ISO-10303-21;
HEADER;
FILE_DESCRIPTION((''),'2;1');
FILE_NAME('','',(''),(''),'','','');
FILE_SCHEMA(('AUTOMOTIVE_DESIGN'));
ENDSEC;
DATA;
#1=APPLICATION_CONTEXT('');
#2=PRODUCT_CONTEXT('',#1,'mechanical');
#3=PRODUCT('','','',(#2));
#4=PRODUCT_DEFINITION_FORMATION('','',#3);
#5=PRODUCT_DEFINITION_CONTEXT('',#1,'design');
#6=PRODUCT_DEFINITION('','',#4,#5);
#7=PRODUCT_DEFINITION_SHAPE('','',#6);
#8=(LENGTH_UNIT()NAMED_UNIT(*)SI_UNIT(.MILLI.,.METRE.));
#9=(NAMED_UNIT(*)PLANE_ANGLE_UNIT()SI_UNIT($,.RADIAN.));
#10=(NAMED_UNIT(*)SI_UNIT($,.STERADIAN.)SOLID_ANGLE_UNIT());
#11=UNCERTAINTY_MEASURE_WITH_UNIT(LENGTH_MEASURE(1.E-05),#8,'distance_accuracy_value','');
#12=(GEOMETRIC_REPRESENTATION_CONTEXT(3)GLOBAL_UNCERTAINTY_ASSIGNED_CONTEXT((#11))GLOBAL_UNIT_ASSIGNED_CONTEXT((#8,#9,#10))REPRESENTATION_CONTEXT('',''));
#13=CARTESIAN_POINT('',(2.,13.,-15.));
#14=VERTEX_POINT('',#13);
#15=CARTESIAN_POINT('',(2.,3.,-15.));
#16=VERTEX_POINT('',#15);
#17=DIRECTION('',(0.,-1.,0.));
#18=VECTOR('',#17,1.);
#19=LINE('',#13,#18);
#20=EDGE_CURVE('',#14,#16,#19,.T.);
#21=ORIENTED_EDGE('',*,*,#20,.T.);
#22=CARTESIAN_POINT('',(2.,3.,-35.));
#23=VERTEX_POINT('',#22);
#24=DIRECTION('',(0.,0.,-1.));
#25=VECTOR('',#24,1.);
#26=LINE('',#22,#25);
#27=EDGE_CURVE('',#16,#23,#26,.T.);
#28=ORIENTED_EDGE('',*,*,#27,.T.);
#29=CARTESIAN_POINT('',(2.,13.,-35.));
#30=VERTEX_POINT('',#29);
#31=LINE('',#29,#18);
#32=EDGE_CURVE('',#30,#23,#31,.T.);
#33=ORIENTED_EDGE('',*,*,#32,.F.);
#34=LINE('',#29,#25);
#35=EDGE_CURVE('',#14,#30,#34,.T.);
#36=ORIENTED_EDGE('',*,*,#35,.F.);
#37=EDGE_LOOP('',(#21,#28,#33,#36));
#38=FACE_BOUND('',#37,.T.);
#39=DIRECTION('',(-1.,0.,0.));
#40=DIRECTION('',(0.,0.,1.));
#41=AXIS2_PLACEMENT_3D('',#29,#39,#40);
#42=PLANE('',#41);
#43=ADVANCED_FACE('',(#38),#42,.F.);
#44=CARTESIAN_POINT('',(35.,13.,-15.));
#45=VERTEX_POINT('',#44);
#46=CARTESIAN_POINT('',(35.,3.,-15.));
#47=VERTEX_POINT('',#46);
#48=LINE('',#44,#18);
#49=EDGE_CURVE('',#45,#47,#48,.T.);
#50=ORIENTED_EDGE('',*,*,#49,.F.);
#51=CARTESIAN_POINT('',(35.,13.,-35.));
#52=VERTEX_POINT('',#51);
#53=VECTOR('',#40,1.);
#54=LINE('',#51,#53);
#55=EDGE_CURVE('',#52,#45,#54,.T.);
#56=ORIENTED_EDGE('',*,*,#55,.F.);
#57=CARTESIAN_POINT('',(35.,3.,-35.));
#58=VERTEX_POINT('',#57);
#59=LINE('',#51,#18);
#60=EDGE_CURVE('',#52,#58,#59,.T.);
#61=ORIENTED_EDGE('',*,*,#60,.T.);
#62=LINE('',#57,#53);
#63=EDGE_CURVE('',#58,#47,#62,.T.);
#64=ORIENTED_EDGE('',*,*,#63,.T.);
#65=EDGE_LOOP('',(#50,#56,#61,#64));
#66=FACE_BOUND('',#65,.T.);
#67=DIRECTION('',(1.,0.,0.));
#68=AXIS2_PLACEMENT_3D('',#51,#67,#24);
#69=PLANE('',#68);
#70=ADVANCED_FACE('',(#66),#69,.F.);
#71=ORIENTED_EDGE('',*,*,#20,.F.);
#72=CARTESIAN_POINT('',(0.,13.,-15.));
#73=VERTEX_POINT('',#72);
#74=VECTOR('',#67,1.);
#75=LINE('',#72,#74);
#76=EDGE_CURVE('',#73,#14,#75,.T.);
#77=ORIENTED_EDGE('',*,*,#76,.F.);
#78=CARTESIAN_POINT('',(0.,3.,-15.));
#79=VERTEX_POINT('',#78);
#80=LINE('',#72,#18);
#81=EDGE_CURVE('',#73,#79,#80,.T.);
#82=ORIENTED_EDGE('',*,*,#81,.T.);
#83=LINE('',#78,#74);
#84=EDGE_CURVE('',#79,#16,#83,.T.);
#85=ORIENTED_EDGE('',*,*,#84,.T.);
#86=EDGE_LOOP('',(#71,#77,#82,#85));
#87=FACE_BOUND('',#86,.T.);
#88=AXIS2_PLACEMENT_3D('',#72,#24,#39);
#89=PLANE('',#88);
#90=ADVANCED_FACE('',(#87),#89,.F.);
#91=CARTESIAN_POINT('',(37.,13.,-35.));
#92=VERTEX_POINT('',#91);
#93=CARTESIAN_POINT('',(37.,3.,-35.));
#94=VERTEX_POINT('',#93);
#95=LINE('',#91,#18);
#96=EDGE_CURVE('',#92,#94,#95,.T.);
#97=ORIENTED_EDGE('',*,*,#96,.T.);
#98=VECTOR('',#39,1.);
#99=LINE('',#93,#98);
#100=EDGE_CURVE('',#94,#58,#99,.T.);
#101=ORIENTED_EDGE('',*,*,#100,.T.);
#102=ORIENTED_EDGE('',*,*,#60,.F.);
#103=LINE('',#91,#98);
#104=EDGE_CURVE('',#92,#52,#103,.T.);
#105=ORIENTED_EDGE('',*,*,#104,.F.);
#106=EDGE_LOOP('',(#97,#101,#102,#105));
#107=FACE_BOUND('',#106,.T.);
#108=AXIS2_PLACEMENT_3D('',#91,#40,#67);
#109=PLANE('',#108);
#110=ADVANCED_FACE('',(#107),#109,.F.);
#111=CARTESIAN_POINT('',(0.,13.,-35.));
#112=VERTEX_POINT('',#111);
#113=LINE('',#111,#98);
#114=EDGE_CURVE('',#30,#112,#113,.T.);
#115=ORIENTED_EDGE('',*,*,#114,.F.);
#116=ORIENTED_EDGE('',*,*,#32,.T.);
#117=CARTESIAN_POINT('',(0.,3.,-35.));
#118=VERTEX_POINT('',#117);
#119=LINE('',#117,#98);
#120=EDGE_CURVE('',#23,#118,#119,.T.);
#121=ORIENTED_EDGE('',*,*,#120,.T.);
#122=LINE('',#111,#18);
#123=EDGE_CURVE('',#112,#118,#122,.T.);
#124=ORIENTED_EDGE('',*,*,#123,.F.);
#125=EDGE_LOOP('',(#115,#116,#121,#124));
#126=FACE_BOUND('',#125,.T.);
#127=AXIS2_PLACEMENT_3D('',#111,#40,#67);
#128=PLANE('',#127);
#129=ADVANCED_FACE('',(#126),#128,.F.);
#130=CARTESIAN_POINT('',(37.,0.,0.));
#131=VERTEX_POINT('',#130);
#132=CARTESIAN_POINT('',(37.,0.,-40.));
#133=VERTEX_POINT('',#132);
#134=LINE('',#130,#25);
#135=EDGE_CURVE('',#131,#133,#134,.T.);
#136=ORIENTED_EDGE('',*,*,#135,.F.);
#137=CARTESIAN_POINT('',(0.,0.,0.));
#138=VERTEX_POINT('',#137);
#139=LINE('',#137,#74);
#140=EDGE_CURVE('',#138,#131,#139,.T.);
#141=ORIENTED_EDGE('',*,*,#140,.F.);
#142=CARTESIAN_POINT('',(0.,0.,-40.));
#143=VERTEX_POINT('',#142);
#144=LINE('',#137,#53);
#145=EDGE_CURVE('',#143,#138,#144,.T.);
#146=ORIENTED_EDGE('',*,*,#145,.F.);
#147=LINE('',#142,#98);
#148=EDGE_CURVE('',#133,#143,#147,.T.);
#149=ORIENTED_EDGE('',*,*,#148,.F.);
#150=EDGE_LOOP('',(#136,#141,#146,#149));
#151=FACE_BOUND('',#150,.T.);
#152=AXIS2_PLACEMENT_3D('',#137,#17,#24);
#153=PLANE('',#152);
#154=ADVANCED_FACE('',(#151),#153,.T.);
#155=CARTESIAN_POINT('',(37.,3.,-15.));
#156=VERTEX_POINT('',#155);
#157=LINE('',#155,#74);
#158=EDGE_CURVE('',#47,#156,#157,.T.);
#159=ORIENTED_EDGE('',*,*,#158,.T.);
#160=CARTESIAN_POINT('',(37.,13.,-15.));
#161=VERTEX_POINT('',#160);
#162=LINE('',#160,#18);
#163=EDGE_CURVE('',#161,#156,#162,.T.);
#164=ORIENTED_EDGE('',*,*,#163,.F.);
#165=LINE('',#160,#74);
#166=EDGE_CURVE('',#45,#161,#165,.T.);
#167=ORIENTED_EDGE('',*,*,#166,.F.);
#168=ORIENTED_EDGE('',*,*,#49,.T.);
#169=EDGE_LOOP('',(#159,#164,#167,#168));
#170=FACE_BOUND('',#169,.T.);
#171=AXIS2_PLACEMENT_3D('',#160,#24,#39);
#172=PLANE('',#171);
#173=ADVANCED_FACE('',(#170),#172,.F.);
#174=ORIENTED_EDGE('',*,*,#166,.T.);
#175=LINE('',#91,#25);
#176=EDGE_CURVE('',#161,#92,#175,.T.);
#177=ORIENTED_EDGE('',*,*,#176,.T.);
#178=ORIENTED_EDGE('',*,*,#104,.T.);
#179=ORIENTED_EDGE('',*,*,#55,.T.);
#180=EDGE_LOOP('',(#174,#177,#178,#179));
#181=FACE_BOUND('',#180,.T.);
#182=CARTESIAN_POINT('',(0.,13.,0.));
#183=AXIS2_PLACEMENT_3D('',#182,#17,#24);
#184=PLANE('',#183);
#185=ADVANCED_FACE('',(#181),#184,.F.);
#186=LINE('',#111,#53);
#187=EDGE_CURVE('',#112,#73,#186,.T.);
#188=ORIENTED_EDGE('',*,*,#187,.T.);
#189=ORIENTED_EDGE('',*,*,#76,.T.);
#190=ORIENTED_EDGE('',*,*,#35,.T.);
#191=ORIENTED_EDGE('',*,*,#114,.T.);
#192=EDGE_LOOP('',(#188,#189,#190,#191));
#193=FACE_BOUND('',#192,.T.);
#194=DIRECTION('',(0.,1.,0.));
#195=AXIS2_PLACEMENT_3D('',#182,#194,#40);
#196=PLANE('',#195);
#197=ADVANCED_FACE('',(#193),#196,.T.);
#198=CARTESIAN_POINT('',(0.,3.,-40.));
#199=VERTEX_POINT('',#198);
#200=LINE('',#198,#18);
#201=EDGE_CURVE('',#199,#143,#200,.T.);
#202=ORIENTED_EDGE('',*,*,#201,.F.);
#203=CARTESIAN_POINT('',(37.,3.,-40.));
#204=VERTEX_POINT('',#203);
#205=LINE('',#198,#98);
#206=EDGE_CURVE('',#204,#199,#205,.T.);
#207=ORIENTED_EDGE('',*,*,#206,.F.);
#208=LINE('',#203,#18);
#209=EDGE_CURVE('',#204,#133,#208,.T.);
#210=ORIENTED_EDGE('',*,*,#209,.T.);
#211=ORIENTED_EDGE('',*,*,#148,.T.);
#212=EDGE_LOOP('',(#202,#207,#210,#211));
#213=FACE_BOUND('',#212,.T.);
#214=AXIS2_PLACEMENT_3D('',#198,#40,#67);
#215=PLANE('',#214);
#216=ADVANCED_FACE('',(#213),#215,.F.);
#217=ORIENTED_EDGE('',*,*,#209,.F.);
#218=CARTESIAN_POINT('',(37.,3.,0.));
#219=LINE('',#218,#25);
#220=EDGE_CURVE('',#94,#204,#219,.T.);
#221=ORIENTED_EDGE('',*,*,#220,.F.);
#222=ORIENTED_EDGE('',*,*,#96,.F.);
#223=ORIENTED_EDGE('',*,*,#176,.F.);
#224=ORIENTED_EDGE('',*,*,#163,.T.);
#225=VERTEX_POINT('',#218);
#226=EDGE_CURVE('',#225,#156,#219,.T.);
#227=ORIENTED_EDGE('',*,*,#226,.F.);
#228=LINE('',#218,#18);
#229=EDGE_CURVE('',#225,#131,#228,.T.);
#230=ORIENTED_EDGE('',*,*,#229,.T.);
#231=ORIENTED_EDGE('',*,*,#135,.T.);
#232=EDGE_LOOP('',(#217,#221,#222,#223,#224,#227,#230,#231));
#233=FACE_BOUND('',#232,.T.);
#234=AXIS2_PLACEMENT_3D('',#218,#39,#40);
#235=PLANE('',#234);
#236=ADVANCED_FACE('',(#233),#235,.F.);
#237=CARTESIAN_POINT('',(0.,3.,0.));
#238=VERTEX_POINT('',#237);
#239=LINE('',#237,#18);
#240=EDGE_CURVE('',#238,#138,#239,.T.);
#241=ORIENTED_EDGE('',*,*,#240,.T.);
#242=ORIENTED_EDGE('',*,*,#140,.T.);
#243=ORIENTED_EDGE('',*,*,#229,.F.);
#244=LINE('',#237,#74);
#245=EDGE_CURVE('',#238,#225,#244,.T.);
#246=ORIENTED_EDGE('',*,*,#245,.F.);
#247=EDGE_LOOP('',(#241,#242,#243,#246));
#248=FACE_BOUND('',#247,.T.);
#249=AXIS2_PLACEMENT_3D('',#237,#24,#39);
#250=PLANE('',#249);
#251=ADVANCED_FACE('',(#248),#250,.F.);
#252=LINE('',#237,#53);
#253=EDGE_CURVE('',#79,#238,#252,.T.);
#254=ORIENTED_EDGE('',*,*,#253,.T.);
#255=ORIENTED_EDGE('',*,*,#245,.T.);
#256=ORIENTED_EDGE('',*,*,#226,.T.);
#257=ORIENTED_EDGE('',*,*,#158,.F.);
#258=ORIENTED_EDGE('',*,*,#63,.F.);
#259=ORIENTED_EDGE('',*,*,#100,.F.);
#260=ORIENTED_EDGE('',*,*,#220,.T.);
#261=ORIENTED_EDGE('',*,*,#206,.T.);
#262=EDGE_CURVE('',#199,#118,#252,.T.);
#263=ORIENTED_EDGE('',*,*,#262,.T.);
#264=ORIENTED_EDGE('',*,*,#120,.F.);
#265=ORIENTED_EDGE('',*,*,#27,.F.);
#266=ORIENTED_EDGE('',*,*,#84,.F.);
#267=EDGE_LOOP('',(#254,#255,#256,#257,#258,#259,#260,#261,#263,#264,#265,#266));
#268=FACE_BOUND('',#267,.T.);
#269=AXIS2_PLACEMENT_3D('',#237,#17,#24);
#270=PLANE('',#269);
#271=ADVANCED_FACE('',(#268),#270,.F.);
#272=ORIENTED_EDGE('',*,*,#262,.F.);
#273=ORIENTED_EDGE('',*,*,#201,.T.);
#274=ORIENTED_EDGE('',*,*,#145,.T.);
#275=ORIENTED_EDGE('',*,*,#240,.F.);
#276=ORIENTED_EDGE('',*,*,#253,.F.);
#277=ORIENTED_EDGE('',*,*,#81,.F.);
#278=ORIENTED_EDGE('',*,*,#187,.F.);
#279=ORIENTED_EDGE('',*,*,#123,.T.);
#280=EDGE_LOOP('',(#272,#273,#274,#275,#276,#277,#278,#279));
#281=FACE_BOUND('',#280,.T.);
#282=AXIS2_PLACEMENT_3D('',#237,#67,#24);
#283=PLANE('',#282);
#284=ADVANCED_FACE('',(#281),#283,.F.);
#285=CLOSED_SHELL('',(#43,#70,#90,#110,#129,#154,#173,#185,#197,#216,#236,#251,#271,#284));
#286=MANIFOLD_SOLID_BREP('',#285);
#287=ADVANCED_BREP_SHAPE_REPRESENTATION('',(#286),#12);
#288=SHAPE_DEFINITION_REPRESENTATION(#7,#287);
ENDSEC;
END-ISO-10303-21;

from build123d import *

# Parameters (mm, degrees)
SKETCH_1_W      = 37
SKETCH_1_H      = 40
EXTRUDE_1_DEPTH = 3
SKETCH_2_W      = 2
SKETCH_2_H      = 20
EXTRUDE_2_DEPTH = 10


with BuildPart() as part:
    # 草图1 → 凸台-拉伸1 (new body)
    with BuildSketch(Plane(origin=(0, 0, 0), x_dir=(1, 0, 0), z_dir=(0, 1, 0))):
        with Locations((18.5, 20)):
            Rectangle(SKETCH_1_W, SKETCH_1_H)
    extrude(amount=EXTRUDE_1_DEPTH)

    # 草图2 → 凸台-拉伸2 (add)
    with BuildSketch(Plane(origin=(0, 3, 0), x_dir=(1, 0, 0), z_dir=(0, 1, 0))):
        with Locations((36, 25)):
            Rectangle(SKETCH_2_W, SKETCH_2_H)
        with Locations((1, 25)):
            Rectangle(SKETCH_2_W, SKETCH_2_H)
    extrude(amount=EXTRUDE_2_DEPTH)


solid = part.part
